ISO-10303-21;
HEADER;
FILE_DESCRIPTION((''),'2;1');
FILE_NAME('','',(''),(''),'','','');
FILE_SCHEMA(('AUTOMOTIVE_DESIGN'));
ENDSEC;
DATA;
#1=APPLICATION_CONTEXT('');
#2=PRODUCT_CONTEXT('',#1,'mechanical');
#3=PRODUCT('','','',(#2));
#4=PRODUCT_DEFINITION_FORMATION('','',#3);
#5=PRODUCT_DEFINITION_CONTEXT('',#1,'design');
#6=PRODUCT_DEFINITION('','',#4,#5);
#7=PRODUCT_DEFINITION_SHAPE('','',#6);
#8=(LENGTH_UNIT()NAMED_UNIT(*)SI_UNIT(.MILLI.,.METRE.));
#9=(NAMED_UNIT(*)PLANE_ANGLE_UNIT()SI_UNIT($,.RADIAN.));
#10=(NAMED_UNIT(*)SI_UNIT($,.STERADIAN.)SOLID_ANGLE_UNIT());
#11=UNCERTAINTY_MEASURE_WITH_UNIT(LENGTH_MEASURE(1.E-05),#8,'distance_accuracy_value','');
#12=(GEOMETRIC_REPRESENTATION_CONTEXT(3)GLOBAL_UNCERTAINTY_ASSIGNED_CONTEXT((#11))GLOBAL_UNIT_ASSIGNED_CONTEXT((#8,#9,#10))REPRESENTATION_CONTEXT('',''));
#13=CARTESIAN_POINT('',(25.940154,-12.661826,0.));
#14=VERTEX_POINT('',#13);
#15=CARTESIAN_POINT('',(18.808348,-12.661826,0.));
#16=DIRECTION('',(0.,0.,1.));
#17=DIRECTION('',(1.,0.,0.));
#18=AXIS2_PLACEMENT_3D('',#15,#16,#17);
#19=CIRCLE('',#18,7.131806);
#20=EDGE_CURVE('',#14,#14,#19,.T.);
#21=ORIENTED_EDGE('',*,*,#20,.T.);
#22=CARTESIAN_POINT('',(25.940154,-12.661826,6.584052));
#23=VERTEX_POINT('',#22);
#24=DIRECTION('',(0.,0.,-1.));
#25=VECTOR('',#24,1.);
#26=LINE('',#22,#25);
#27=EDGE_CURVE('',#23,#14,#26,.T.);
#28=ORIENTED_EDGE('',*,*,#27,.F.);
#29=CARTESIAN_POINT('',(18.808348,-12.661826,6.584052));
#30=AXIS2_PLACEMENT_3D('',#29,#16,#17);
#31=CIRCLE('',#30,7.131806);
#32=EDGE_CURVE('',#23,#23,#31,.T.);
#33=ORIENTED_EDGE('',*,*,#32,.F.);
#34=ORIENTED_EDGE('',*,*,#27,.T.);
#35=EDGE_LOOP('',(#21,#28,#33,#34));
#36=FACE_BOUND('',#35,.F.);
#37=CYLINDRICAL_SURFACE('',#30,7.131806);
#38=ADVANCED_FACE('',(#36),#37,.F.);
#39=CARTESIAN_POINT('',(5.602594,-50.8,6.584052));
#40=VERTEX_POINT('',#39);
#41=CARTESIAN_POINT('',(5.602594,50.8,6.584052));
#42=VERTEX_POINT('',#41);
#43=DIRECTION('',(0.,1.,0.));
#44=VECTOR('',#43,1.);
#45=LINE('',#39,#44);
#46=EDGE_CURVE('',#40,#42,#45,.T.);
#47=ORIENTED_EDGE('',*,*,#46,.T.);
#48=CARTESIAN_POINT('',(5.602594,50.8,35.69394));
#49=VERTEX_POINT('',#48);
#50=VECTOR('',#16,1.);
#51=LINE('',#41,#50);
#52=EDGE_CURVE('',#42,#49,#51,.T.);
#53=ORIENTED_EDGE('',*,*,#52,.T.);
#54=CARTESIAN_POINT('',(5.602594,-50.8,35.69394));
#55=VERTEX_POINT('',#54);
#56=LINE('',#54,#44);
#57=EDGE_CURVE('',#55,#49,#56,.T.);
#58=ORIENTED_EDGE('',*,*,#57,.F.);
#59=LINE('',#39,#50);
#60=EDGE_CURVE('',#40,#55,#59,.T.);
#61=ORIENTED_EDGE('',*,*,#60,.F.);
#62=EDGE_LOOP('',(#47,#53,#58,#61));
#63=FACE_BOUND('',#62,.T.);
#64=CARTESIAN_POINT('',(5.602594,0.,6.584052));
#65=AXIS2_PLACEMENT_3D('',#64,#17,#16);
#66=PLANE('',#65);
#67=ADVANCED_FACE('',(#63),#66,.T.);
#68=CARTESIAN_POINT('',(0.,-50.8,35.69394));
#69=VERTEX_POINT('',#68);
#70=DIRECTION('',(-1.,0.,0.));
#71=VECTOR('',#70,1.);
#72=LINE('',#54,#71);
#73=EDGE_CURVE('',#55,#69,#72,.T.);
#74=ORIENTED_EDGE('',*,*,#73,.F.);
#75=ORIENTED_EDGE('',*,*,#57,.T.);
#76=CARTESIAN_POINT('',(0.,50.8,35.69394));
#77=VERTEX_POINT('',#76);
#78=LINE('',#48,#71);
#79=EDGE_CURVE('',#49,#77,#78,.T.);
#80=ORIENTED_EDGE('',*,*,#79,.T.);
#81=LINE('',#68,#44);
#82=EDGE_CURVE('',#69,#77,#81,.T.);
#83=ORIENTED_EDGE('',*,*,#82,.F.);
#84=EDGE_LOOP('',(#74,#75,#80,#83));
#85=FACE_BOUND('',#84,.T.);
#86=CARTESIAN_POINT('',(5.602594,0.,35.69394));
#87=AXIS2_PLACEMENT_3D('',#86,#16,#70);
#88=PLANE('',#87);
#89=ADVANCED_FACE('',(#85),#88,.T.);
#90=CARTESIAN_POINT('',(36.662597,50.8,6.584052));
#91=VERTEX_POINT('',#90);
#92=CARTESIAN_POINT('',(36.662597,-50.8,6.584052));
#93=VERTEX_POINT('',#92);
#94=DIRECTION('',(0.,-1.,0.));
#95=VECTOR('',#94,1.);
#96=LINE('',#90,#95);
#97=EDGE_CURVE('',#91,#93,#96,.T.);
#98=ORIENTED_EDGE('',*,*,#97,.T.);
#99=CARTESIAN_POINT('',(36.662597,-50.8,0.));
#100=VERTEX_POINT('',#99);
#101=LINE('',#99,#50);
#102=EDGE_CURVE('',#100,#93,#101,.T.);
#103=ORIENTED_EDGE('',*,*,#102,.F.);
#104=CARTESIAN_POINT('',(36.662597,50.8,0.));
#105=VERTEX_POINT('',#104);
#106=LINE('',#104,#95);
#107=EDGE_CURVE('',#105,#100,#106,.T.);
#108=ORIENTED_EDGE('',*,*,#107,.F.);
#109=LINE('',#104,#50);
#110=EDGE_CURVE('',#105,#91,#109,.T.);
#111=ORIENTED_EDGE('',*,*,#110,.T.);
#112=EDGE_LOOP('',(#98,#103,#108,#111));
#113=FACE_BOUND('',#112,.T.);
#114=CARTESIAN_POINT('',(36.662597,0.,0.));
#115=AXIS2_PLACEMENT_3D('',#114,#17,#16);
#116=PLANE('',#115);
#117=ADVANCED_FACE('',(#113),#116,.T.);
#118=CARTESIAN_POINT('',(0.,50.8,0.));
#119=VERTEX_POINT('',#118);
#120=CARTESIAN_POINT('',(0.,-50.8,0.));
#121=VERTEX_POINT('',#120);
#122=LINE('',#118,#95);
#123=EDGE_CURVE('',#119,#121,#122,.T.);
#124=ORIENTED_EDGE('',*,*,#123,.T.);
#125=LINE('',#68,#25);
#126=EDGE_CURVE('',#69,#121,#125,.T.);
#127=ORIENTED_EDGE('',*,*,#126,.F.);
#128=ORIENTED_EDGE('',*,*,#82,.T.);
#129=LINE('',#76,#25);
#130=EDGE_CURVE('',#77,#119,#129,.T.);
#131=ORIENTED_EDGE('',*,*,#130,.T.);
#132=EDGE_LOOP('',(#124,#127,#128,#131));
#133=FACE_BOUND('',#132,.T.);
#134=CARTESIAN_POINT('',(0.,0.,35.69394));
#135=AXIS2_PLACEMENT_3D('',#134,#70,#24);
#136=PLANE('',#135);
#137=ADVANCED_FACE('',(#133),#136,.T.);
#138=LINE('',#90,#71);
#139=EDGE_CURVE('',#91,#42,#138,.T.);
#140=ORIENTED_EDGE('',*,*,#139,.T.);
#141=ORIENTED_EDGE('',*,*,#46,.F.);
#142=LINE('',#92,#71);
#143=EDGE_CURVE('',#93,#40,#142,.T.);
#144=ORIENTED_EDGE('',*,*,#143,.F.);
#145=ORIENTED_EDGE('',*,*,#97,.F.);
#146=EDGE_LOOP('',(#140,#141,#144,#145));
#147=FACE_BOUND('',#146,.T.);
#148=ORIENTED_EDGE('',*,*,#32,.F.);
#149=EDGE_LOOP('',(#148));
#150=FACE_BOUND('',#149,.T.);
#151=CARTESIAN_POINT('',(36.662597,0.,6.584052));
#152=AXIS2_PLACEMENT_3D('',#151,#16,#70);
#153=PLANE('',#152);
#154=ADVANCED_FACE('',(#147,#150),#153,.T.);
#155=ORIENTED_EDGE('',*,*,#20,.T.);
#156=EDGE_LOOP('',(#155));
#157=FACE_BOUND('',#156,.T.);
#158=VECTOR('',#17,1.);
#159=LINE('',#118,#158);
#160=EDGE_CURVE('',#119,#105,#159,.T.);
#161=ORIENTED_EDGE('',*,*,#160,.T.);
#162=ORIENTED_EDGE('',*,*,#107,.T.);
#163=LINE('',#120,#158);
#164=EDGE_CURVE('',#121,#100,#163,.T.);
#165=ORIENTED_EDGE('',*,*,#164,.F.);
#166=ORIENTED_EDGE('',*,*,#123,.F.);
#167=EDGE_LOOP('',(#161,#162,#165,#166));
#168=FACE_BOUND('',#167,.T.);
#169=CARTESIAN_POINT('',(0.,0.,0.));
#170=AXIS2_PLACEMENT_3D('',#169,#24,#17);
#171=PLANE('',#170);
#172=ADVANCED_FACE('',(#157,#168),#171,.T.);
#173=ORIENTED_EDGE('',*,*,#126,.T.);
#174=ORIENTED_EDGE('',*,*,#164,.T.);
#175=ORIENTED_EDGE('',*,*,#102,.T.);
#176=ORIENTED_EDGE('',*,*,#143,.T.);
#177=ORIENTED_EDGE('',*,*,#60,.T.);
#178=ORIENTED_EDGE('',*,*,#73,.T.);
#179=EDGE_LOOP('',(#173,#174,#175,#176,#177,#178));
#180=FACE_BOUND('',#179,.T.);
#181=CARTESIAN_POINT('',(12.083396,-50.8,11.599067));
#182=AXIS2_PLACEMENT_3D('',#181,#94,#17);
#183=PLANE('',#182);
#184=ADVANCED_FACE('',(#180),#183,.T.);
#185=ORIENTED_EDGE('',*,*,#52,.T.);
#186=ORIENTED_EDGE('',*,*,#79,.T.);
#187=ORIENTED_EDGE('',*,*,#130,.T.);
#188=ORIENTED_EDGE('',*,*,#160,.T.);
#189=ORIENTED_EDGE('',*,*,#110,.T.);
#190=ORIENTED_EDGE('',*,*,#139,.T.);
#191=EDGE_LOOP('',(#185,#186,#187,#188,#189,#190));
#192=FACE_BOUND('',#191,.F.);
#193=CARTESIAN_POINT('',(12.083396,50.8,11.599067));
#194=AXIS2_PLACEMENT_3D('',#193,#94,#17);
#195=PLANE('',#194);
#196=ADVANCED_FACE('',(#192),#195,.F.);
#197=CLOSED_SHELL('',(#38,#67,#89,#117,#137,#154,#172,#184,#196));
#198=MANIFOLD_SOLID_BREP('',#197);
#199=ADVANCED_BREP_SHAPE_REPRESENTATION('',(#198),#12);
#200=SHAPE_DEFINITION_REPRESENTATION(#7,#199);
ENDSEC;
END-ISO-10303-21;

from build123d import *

# Parameters (mm, degrees)
F1_DEPTH = 50.8
F2_R     = 7.1318057121
F3_DEPTH = 25.4


with BuildPart() as f1:
    # F0 (on Front) → F1 (new body, symmetric)
    with BuildSketch(Plane.XZ):
        Polygon((0, 35.6939397752), (0, 0), (36.6625972092, 0), (36.6625972092, 6.5840519965), (5.6025939994, 6.5840519965), (5.6025939994, 35.6939397752), align=None)
    extrude(amount=F1_DEPTH, both=True)

    # F2 (on face) → F3 (cut)
    with BuildSketch(Plane.XY.offset(6.5840519965)):
        with Locations((18.8083481044, -12.6618258655)):
            Circle(F2_R)
    extrude(amount=-F3_DEPTH, mode=Mode.SUBTRACT)


solid = f1.part
